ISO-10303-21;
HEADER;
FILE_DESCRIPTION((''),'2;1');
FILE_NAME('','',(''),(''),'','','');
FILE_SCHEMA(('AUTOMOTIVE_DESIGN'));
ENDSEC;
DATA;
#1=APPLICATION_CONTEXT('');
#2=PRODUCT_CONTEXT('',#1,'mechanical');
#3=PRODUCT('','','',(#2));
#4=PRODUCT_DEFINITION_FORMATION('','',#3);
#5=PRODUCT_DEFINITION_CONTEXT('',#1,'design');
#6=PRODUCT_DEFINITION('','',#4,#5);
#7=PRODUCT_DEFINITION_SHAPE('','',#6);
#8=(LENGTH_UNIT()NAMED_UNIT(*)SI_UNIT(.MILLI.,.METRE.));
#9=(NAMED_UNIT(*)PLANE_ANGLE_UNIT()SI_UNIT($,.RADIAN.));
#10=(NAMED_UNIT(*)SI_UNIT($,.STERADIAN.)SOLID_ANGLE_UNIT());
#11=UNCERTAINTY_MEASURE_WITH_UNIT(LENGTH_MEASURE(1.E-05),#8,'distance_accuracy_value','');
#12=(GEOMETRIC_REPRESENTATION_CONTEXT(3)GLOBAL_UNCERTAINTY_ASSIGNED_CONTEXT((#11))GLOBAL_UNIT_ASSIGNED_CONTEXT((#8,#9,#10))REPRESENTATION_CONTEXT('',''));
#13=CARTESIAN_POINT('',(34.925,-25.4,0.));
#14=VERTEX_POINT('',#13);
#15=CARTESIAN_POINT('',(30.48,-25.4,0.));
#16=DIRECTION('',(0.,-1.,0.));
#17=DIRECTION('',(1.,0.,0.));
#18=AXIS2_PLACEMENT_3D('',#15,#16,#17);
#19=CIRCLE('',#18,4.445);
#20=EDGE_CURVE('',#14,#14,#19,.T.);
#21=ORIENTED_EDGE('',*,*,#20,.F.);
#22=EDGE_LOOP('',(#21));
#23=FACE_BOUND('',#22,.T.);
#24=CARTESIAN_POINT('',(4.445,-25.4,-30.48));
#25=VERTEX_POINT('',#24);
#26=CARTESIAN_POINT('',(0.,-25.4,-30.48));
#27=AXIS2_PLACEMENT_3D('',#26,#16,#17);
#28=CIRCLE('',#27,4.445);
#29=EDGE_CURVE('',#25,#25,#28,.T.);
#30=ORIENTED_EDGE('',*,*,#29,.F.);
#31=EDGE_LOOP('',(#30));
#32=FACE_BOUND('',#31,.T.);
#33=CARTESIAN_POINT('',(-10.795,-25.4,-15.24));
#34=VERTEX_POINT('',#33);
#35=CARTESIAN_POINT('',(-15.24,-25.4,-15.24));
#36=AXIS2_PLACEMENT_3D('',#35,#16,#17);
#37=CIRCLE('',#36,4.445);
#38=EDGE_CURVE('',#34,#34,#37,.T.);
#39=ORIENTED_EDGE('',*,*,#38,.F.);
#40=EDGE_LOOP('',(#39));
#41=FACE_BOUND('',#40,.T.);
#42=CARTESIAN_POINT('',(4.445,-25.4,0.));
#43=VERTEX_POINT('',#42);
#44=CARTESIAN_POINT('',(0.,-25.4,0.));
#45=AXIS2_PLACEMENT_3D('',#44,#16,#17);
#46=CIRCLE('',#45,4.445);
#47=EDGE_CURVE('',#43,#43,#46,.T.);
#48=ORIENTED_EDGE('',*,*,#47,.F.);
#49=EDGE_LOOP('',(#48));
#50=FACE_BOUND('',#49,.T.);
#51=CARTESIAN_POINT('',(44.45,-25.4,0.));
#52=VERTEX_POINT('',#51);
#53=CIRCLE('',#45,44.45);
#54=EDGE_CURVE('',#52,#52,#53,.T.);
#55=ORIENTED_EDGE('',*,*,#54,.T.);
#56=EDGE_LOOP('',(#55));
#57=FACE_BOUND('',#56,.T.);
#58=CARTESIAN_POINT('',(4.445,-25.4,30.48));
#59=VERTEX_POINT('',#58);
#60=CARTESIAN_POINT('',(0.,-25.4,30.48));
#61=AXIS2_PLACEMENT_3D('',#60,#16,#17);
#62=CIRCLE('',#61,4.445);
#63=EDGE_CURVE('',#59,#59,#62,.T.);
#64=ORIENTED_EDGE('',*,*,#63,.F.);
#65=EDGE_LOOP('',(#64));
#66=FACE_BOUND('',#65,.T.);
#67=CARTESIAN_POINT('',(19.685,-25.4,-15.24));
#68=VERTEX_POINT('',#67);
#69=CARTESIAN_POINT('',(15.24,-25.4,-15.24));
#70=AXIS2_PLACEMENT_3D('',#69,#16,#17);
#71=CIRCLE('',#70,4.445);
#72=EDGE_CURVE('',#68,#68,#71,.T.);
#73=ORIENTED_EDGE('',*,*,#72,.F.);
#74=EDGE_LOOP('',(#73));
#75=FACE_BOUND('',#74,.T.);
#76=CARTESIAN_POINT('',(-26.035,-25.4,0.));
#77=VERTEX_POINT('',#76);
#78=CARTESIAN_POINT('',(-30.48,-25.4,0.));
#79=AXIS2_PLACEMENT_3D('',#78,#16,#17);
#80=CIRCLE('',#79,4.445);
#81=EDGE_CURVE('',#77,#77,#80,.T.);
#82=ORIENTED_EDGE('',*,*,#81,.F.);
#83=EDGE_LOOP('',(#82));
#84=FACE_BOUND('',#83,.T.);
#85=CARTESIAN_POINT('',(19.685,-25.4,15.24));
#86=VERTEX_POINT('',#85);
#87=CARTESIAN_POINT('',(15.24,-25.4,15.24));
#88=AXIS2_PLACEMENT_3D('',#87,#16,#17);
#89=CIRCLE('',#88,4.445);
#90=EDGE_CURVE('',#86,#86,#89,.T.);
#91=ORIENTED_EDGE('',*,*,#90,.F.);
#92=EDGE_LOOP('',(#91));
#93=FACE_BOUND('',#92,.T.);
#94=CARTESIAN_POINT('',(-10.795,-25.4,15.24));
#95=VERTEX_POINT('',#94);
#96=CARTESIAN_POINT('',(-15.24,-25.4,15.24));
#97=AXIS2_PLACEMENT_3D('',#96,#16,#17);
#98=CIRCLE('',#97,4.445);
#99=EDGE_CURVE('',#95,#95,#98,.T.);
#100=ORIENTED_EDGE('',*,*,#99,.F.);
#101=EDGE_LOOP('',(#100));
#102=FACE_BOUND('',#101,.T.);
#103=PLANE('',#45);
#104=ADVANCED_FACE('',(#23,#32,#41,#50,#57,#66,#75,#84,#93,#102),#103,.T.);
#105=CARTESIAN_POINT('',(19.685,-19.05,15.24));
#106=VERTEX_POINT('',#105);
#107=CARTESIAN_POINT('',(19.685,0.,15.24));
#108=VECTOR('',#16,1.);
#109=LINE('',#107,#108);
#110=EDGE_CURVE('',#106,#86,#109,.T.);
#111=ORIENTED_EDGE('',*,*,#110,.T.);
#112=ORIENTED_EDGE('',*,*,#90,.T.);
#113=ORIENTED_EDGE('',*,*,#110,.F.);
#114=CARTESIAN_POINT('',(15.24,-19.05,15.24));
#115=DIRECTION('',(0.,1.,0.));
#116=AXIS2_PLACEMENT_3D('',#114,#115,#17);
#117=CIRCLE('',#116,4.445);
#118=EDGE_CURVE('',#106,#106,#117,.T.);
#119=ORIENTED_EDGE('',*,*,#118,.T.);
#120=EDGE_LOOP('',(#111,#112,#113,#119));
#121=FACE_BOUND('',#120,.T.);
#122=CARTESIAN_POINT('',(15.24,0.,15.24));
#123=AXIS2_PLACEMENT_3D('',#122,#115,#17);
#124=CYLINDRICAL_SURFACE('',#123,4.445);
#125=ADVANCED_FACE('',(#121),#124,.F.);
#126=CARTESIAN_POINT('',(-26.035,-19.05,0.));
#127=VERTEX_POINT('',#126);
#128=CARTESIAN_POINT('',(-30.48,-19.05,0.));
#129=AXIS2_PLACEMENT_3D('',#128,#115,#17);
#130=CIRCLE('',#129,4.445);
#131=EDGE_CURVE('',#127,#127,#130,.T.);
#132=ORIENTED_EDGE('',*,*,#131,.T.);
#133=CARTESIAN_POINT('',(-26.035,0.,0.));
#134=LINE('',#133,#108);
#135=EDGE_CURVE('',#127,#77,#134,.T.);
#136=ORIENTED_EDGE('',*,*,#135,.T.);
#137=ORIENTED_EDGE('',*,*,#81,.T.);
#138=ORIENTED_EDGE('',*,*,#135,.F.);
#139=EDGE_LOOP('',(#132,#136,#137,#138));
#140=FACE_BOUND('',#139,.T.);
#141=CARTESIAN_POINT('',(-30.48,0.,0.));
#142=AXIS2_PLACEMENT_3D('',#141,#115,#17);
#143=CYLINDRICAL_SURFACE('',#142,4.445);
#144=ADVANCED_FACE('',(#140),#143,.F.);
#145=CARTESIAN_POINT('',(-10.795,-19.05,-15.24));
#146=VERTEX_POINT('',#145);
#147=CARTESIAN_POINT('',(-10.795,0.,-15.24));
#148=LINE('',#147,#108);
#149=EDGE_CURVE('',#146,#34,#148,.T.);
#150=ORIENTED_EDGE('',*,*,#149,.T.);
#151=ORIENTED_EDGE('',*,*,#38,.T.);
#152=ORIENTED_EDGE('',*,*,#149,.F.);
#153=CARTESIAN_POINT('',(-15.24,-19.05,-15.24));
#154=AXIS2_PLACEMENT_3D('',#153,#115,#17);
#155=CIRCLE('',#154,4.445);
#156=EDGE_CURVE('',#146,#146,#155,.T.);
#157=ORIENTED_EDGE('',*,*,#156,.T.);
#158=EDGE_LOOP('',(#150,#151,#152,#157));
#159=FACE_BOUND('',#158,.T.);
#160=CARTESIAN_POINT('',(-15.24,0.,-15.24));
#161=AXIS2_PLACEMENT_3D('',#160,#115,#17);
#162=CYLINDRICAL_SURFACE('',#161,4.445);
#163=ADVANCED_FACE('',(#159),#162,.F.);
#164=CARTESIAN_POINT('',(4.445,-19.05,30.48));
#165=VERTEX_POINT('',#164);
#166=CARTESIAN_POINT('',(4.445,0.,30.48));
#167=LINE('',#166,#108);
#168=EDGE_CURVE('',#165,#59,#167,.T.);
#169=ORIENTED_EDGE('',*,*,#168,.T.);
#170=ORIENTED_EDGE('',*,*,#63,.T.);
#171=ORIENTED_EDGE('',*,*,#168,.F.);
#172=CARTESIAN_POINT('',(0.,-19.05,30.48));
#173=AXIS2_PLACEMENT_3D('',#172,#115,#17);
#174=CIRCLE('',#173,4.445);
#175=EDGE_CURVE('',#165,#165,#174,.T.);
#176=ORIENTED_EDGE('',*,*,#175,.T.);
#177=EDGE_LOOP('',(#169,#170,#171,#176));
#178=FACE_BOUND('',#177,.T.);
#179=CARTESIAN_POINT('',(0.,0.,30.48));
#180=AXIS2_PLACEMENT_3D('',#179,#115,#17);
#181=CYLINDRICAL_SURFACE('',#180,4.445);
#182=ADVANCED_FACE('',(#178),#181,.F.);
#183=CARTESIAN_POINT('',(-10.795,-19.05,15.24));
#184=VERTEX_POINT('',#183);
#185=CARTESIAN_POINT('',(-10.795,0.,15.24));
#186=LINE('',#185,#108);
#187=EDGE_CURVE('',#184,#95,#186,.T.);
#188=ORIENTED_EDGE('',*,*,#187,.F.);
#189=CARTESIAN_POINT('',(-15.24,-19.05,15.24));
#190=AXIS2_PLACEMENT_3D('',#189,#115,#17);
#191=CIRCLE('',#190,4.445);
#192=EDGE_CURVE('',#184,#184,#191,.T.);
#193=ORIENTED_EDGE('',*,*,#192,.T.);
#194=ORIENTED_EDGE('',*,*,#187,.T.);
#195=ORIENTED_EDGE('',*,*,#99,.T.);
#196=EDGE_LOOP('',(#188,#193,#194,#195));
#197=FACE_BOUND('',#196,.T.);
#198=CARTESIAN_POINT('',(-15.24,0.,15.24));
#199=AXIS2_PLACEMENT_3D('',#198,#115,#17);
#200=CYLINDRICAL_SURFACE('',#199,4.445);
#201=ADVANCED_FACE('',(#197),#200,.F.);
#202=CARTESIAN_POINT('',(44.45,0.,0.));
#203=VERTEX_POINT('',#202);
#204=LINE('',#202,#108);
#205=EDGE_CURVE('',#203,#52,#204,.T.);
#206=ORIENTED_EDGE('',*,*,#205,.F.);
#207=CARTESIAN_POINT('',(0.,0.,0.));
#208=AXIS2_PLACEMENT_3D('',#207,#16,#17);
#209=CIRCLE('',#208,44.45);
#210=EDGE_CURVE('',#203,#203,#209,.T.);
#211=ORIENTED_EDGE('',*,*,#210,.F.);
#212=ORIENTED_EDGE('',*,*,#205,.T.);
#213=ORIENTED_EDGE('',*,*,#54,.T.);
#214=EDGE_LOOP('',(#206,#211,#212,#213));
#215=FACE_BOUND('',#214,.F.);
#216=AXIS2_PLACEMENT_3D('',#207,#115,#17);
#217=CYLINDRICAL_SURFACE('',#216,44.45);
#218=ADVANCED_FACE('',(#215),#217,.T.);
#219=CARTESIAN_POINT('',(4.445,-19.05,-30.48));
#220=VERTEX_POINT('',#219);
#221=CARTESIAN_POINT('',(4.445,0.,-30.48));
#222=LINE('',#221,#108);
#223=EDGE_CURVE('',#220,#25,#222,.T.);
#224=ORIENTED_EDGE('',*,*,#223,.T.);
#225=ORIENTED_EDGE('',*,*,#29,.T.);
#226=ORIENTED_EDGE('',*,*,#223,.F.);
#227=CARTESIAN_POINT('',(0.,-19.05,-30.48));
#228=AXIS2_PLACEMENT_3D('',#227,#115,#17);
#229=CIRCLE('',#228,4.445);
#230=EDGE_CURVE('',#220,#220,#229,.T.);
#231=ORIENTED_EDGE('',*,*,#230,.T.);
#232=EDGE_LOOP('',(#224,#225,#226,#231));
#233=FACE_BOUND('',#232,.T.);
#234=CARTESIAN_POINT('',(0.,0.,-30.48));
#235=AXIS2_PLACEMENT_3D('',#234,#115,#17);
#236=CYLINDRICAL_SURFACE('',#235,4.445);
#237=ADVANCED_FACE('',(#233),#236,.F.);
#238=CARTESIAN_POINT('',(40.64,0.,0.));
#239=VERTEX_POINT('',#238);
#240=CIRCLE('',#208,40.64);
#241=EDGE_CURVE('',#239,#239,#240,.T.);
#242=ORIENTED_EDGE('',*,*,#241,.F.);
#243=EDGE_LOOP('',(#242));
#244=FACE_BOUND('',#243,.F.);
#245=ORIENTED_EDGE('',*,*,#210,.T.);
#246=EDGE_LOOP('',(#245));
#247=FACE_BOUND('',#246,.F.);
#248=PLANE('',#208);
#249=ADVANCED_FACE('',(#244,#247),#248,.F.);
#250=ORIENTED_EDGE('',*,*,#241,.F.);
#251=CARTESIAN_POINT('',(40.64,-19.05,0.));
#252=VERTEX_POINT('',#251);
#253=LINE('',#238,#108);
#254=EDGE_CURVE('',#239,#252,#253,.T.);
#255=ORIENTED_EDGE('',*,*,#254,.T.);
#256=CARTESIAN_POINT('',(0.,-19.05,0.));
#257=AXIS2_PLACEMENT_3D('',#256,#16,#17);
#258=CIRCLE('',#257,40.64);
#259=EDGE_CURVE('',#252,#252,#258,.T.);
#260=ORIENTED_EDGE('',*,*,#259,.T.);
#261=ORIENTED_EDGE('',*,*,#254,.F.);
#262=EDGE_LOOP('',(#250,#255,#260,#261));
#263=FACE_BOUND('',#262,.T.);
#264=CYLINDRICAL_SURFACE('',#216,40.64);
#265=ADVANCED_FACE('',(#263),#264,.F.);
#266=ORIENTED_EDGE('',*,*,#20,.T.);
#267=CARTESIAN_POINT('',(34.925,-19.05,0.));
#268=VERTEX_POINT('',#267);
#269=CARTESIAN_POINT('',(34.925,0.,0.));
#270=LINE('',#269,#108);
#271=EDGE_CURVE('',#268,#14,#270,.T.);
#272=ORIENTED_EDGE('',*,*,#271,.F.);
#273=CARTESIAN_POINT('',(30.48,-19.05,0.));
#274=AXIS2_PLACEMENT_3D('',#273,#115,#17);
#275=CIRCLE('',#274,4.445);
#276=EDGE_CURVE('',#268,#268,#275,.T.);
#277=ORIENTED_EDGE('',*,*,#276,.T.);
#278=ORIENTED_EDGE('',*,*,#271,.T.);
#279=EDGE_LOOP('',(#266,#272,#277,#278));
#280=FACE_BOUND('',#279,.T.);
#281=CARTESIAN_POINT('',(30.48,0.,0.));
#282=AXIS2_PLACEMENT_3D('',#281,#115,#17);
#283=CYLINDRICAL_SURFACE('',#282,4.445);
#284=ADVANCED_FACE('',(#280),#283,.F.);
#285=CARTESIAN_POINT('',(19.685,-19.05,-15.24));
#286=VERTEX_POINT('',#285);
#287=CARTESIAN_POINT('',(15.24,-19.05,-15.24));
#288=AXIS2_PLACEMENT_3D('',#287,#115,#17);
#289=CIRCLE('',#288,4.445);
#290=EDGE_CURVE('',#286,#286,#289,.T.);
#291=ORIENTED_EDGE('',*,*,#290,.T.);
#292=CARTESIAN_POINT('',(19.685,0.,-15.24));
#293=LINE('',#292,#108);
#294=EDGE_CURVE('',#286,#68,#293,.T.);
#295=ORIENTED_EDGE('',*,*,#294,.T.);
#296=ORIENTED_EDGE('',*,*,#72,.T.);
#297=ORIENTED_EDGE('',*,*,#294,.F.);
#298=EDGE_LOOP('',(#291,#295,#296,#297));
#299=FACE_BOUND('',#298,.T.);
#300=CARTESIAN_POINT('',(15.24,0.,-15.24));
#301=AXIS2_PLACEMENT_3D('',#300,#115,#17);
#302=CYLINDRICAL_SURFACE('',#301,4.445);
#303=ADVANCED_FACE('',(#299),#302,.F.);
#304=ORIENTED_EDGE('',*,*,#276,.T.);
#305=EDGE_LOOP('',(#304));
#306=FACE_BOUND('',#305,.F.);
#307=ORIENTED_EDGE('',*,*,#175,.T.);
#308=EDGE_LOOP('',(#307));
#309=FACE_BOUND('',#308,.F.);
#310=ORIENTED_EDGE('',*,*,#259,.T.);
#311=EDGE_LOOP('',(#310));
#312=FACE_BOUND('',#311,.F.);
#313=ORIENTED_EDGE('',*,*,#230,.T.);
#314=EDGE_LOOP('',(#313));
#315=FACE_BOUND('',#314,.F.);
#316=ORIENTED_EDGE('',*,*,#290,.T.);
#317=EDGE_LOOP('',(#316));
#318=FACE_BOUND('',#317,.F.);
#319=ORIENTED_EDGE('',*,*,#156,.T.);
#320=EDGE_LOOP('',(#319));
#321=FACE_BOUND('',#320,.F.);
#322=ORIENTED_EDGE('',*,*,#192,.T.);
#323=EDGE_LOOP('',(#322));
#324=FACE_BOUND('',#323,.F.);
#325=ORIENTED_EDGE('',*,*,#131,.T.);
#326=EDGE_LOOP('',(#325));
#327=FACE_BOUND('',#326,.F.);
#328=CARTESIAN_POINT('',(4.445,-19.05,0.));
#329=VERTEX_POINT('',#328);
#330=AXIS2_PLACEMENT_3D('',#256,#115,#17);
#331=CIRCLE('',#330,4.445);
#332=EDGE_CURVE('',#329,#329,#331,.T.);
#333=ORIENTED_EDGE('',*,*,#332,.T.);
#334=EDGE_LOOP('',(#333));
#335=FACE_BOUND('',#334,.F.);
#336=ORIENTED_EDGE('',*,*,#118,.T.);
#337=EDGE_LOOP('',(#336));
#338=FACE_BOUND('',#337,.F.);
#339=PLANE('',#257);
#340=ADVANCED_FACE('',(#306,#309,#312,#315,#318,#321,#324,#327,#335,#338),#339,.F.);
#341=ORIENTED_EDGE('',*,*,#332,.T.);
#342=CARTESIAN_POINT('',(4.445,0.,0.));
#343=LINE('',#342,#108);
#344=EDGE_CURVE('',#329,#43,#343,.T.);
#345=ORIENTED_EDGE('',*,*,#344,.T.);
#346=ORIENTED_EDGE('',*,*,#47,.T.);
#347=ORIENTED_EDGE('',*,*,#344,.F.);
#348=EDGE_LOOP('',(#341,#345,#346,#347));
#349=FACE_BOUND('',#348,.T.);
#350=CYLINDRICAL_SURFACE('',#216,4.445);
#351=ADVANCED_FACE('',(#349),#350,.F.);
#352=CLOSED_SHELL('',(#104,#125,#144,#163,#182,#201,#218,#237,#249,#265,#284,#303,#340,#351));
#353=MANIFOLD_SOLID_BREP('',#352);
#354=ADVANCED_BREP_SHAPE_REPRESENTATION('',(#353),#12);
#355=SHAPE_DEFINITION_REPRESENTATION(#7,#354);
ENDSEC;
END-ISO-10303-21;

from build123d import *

# Parameters (mm, degrees)
F0_R     = 44.45
F1_DEPTH = 25.4
F2_R     = 40.64
F3_DEPTH = 19.05
F4_R     = 4.445
F5_DEPTH = 25.4


with BuildPart() as f1:
    # F0 (on Front) → F1 (new body)
    with BuildSketch(Plane.XZ):
        Circle(F0_R)
    extrude(amount=F1_DEPTH)

    # F2 (on Front) → F3 (cut)
    with BuildSketch(Plane.XZ):
        Circle(F2_R)
    extrude(amount=F3_DEPTH, mode=Mode.SUBTRACT)

    # F4 (on Front) → F5 (cut)
    with BuildSketch(Plane.XZ):
        with Locations((0, 30.48)):
            Circle(F4_R)
        with Locations((-15.24, 15.24)):
            Circle(F4_R)
        with Locations((-30.48, 0)):
            Circle(F4_R)
        with Locations((15.24, 15.24)):
            Circle(F4_R)
        with Locations((30.48, 0)):
            Circle(F4_R)
        with Locations((-15.24, -15.24)):
            Circle(F4_R)
        with Locations((15.24, -15.24)):
            Circle(F4_R)
        with Locations((0, -30.48)):
            Circle(F4_R)
        Circle(F4_R)
    extrude(amount=F5_DEPTH, mode=Mode.SUBTRACT)


solid = f1.part
